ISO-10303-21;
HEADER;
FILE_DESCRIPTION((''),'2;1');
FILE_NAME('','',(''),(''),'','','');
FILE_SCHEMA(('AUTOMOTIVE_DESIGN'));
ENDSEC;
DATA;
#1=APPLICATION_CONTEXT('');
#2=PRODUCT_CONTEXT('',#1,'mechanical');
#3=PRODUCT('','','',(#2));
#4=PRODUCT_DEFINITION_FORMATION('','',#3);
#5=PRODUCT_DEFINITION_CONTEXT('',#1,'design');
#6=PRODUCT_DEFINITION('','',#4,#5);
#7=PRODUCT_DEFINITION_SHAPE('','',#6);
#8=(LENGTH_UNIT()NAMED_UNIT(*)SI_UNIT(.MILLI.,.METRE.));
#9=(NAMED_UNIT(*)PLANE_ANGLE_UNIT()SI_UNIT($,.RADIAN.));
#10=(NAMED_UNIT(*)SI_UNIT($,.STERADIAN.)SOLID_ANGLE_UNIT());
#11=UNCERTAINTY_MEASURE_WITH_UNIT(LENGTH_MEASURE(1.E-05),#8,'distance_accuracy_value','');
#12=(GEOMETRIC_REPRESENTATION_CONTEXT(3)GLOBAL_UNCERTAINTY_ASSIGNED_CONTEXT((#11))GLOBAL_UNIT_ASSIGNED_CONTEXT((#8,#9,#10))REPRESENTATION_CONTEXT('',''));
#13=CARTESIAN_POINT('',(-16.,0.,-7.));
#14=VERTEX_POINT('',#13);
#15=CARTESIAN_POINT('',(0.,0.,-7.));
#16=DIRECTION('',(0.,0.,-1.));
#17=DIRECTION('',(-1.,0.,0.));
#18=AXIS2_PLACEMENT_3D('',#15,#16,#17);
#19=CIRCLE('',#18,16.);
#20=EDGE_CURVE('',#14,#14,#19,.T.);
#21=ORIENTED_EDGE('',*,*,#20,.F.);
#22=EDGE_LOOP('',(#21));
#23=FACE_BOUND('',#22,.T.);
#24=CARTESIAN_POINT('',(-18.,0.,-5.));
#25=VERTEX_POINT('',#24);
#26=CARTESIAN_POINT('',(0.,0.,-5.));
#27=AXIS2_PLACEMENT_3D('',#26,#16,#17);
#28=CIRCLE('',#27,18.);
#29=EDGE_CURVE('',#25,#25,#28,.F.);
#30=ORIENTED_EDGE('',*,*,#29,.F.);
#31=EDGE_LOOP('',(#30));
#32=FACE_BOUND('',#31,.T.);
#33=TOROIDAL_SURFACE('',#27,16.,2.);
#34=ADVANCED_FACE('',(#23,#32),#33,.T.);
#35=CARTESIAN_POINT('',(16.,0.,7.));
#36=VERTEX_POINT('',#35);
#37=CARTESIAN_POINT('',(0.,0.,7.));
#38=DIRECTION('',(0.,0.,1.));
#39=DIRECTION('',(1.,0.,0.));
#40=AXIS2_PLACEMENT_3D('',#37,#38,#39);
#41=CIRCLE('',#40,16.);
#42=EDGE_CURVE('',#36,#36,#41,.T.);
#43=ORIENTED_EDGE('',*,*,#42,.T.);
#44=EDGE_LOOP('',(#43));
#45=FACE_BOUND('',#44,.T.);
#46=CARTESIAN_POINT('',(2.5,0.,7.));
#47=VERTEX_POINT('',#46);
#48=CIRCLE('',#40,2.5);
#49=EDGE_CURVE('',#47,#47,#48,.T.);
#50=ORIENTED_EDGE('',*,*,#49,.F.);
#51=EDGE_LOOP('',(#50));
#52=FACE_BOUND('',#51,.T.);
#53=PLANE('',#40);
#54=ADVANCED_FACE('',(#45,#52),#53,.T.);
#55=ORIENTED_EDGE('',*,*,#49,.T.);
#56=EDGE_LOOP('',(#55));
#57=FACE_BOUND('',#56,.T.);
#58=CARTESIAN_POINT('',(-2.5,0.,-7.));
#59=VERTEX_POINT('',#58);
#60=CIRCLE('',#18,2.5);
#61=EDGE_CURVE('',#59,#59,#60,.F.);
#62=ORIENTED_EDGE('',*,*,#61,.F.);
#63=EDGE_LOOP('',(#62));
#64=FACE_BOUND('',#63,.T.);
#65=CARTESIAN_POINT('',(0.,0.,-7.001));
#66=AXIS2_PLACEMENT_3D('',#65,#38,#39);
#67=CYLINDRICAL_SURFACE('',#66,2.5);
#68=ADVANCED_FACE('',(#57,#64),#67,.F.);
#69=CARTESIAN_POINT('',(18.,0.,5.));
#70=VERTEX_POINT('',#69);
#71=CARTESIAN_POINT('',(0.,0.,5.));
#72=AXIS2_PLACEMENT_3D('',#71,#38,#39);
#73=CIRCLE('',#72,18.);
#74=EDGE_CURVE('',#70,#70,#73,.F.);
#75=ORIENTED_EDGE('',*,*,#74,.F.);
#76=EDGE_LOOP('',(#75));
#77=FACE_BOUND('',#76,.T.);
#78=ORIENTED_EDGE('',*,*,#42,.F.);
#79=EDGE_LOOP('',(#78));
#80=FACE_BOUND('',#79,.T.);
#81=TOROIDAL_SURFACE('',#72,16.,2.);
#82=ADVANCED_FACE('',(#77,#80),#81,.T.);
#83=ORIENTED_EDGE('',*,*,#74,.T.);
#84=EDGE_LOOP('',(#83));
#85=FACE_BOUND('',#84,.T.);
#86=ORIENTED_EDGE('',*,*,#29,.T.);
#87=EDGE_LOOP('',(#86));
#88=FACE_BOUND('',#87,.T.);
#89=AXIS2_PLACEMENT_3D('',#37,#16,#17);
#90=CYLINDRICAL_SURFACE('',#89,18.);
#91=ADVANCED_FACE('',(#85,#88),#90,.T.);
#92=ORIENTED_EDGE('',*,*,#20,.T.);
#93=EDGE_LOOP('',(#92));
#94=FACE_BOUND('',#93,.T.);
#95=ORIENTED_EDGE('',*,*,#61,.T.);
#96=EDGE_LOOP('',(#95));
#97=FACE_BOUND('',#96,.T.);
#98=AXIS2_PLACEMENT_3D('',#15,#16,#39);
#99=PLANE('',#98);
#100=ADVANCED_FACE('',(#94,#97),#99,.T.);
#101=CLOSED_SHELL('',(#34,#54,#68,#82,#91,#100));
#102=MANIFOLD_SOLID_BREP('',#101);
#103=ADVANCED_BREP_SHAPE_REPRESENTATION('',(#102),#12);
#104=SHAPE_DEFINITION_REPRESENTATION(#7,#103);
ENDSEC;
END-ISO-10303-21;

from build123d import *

# Parameters (mm, degrees)
SKETCH1_R           = 18
BOSS_EXTRUDE1_DEPTH = 7
FILLET2_R           = 2
CUT_EXTRUDE1_REACH  = 16
SKETCH2_R           = 2.5


with BuildPart() as part:
    # Sketch1 → Boss-Extrude1 (new body)
    with BuildSketch(Plane.XY):
        Circle(SKETCH1_R)
    boss_extrude1 = extrude(amount=BOSS_EXTRUDE1_DEPTH)

    # Mirror1: Boss-Extrude1 across plane
    add(boss_extrude1.mirror(Plane.XY))

    # Fillet2
    fillet2_edges = [part.edges().sort_by_distance(p)[0] for p in [
        (-18, 0, 7),
        (-18, 0, -7),
    ]]
    fillet(fillet2_edges, radius=FILLET2_R)

    # Sketch2 → Cut-Extrude1 (cut, up to next)
    with BuildSketch(Plane.XY.offset(7), mode=Mode.PRIVATE) as cut_extrude1_sk1:
        Circle(SKETCH2_R)
    cut_extrude1_tool1 = extrude(cut_extrude1_sk1.sketch, amount=-CUT_EXTRUDE1_REACH, mode=Mode.PRIVATE) & part.part
    add(cut_extrude1_tool1.solids().sort_by_distance((0, 0, 7))[0], mode=Mode.SUBTRACT)


solid = part.part
